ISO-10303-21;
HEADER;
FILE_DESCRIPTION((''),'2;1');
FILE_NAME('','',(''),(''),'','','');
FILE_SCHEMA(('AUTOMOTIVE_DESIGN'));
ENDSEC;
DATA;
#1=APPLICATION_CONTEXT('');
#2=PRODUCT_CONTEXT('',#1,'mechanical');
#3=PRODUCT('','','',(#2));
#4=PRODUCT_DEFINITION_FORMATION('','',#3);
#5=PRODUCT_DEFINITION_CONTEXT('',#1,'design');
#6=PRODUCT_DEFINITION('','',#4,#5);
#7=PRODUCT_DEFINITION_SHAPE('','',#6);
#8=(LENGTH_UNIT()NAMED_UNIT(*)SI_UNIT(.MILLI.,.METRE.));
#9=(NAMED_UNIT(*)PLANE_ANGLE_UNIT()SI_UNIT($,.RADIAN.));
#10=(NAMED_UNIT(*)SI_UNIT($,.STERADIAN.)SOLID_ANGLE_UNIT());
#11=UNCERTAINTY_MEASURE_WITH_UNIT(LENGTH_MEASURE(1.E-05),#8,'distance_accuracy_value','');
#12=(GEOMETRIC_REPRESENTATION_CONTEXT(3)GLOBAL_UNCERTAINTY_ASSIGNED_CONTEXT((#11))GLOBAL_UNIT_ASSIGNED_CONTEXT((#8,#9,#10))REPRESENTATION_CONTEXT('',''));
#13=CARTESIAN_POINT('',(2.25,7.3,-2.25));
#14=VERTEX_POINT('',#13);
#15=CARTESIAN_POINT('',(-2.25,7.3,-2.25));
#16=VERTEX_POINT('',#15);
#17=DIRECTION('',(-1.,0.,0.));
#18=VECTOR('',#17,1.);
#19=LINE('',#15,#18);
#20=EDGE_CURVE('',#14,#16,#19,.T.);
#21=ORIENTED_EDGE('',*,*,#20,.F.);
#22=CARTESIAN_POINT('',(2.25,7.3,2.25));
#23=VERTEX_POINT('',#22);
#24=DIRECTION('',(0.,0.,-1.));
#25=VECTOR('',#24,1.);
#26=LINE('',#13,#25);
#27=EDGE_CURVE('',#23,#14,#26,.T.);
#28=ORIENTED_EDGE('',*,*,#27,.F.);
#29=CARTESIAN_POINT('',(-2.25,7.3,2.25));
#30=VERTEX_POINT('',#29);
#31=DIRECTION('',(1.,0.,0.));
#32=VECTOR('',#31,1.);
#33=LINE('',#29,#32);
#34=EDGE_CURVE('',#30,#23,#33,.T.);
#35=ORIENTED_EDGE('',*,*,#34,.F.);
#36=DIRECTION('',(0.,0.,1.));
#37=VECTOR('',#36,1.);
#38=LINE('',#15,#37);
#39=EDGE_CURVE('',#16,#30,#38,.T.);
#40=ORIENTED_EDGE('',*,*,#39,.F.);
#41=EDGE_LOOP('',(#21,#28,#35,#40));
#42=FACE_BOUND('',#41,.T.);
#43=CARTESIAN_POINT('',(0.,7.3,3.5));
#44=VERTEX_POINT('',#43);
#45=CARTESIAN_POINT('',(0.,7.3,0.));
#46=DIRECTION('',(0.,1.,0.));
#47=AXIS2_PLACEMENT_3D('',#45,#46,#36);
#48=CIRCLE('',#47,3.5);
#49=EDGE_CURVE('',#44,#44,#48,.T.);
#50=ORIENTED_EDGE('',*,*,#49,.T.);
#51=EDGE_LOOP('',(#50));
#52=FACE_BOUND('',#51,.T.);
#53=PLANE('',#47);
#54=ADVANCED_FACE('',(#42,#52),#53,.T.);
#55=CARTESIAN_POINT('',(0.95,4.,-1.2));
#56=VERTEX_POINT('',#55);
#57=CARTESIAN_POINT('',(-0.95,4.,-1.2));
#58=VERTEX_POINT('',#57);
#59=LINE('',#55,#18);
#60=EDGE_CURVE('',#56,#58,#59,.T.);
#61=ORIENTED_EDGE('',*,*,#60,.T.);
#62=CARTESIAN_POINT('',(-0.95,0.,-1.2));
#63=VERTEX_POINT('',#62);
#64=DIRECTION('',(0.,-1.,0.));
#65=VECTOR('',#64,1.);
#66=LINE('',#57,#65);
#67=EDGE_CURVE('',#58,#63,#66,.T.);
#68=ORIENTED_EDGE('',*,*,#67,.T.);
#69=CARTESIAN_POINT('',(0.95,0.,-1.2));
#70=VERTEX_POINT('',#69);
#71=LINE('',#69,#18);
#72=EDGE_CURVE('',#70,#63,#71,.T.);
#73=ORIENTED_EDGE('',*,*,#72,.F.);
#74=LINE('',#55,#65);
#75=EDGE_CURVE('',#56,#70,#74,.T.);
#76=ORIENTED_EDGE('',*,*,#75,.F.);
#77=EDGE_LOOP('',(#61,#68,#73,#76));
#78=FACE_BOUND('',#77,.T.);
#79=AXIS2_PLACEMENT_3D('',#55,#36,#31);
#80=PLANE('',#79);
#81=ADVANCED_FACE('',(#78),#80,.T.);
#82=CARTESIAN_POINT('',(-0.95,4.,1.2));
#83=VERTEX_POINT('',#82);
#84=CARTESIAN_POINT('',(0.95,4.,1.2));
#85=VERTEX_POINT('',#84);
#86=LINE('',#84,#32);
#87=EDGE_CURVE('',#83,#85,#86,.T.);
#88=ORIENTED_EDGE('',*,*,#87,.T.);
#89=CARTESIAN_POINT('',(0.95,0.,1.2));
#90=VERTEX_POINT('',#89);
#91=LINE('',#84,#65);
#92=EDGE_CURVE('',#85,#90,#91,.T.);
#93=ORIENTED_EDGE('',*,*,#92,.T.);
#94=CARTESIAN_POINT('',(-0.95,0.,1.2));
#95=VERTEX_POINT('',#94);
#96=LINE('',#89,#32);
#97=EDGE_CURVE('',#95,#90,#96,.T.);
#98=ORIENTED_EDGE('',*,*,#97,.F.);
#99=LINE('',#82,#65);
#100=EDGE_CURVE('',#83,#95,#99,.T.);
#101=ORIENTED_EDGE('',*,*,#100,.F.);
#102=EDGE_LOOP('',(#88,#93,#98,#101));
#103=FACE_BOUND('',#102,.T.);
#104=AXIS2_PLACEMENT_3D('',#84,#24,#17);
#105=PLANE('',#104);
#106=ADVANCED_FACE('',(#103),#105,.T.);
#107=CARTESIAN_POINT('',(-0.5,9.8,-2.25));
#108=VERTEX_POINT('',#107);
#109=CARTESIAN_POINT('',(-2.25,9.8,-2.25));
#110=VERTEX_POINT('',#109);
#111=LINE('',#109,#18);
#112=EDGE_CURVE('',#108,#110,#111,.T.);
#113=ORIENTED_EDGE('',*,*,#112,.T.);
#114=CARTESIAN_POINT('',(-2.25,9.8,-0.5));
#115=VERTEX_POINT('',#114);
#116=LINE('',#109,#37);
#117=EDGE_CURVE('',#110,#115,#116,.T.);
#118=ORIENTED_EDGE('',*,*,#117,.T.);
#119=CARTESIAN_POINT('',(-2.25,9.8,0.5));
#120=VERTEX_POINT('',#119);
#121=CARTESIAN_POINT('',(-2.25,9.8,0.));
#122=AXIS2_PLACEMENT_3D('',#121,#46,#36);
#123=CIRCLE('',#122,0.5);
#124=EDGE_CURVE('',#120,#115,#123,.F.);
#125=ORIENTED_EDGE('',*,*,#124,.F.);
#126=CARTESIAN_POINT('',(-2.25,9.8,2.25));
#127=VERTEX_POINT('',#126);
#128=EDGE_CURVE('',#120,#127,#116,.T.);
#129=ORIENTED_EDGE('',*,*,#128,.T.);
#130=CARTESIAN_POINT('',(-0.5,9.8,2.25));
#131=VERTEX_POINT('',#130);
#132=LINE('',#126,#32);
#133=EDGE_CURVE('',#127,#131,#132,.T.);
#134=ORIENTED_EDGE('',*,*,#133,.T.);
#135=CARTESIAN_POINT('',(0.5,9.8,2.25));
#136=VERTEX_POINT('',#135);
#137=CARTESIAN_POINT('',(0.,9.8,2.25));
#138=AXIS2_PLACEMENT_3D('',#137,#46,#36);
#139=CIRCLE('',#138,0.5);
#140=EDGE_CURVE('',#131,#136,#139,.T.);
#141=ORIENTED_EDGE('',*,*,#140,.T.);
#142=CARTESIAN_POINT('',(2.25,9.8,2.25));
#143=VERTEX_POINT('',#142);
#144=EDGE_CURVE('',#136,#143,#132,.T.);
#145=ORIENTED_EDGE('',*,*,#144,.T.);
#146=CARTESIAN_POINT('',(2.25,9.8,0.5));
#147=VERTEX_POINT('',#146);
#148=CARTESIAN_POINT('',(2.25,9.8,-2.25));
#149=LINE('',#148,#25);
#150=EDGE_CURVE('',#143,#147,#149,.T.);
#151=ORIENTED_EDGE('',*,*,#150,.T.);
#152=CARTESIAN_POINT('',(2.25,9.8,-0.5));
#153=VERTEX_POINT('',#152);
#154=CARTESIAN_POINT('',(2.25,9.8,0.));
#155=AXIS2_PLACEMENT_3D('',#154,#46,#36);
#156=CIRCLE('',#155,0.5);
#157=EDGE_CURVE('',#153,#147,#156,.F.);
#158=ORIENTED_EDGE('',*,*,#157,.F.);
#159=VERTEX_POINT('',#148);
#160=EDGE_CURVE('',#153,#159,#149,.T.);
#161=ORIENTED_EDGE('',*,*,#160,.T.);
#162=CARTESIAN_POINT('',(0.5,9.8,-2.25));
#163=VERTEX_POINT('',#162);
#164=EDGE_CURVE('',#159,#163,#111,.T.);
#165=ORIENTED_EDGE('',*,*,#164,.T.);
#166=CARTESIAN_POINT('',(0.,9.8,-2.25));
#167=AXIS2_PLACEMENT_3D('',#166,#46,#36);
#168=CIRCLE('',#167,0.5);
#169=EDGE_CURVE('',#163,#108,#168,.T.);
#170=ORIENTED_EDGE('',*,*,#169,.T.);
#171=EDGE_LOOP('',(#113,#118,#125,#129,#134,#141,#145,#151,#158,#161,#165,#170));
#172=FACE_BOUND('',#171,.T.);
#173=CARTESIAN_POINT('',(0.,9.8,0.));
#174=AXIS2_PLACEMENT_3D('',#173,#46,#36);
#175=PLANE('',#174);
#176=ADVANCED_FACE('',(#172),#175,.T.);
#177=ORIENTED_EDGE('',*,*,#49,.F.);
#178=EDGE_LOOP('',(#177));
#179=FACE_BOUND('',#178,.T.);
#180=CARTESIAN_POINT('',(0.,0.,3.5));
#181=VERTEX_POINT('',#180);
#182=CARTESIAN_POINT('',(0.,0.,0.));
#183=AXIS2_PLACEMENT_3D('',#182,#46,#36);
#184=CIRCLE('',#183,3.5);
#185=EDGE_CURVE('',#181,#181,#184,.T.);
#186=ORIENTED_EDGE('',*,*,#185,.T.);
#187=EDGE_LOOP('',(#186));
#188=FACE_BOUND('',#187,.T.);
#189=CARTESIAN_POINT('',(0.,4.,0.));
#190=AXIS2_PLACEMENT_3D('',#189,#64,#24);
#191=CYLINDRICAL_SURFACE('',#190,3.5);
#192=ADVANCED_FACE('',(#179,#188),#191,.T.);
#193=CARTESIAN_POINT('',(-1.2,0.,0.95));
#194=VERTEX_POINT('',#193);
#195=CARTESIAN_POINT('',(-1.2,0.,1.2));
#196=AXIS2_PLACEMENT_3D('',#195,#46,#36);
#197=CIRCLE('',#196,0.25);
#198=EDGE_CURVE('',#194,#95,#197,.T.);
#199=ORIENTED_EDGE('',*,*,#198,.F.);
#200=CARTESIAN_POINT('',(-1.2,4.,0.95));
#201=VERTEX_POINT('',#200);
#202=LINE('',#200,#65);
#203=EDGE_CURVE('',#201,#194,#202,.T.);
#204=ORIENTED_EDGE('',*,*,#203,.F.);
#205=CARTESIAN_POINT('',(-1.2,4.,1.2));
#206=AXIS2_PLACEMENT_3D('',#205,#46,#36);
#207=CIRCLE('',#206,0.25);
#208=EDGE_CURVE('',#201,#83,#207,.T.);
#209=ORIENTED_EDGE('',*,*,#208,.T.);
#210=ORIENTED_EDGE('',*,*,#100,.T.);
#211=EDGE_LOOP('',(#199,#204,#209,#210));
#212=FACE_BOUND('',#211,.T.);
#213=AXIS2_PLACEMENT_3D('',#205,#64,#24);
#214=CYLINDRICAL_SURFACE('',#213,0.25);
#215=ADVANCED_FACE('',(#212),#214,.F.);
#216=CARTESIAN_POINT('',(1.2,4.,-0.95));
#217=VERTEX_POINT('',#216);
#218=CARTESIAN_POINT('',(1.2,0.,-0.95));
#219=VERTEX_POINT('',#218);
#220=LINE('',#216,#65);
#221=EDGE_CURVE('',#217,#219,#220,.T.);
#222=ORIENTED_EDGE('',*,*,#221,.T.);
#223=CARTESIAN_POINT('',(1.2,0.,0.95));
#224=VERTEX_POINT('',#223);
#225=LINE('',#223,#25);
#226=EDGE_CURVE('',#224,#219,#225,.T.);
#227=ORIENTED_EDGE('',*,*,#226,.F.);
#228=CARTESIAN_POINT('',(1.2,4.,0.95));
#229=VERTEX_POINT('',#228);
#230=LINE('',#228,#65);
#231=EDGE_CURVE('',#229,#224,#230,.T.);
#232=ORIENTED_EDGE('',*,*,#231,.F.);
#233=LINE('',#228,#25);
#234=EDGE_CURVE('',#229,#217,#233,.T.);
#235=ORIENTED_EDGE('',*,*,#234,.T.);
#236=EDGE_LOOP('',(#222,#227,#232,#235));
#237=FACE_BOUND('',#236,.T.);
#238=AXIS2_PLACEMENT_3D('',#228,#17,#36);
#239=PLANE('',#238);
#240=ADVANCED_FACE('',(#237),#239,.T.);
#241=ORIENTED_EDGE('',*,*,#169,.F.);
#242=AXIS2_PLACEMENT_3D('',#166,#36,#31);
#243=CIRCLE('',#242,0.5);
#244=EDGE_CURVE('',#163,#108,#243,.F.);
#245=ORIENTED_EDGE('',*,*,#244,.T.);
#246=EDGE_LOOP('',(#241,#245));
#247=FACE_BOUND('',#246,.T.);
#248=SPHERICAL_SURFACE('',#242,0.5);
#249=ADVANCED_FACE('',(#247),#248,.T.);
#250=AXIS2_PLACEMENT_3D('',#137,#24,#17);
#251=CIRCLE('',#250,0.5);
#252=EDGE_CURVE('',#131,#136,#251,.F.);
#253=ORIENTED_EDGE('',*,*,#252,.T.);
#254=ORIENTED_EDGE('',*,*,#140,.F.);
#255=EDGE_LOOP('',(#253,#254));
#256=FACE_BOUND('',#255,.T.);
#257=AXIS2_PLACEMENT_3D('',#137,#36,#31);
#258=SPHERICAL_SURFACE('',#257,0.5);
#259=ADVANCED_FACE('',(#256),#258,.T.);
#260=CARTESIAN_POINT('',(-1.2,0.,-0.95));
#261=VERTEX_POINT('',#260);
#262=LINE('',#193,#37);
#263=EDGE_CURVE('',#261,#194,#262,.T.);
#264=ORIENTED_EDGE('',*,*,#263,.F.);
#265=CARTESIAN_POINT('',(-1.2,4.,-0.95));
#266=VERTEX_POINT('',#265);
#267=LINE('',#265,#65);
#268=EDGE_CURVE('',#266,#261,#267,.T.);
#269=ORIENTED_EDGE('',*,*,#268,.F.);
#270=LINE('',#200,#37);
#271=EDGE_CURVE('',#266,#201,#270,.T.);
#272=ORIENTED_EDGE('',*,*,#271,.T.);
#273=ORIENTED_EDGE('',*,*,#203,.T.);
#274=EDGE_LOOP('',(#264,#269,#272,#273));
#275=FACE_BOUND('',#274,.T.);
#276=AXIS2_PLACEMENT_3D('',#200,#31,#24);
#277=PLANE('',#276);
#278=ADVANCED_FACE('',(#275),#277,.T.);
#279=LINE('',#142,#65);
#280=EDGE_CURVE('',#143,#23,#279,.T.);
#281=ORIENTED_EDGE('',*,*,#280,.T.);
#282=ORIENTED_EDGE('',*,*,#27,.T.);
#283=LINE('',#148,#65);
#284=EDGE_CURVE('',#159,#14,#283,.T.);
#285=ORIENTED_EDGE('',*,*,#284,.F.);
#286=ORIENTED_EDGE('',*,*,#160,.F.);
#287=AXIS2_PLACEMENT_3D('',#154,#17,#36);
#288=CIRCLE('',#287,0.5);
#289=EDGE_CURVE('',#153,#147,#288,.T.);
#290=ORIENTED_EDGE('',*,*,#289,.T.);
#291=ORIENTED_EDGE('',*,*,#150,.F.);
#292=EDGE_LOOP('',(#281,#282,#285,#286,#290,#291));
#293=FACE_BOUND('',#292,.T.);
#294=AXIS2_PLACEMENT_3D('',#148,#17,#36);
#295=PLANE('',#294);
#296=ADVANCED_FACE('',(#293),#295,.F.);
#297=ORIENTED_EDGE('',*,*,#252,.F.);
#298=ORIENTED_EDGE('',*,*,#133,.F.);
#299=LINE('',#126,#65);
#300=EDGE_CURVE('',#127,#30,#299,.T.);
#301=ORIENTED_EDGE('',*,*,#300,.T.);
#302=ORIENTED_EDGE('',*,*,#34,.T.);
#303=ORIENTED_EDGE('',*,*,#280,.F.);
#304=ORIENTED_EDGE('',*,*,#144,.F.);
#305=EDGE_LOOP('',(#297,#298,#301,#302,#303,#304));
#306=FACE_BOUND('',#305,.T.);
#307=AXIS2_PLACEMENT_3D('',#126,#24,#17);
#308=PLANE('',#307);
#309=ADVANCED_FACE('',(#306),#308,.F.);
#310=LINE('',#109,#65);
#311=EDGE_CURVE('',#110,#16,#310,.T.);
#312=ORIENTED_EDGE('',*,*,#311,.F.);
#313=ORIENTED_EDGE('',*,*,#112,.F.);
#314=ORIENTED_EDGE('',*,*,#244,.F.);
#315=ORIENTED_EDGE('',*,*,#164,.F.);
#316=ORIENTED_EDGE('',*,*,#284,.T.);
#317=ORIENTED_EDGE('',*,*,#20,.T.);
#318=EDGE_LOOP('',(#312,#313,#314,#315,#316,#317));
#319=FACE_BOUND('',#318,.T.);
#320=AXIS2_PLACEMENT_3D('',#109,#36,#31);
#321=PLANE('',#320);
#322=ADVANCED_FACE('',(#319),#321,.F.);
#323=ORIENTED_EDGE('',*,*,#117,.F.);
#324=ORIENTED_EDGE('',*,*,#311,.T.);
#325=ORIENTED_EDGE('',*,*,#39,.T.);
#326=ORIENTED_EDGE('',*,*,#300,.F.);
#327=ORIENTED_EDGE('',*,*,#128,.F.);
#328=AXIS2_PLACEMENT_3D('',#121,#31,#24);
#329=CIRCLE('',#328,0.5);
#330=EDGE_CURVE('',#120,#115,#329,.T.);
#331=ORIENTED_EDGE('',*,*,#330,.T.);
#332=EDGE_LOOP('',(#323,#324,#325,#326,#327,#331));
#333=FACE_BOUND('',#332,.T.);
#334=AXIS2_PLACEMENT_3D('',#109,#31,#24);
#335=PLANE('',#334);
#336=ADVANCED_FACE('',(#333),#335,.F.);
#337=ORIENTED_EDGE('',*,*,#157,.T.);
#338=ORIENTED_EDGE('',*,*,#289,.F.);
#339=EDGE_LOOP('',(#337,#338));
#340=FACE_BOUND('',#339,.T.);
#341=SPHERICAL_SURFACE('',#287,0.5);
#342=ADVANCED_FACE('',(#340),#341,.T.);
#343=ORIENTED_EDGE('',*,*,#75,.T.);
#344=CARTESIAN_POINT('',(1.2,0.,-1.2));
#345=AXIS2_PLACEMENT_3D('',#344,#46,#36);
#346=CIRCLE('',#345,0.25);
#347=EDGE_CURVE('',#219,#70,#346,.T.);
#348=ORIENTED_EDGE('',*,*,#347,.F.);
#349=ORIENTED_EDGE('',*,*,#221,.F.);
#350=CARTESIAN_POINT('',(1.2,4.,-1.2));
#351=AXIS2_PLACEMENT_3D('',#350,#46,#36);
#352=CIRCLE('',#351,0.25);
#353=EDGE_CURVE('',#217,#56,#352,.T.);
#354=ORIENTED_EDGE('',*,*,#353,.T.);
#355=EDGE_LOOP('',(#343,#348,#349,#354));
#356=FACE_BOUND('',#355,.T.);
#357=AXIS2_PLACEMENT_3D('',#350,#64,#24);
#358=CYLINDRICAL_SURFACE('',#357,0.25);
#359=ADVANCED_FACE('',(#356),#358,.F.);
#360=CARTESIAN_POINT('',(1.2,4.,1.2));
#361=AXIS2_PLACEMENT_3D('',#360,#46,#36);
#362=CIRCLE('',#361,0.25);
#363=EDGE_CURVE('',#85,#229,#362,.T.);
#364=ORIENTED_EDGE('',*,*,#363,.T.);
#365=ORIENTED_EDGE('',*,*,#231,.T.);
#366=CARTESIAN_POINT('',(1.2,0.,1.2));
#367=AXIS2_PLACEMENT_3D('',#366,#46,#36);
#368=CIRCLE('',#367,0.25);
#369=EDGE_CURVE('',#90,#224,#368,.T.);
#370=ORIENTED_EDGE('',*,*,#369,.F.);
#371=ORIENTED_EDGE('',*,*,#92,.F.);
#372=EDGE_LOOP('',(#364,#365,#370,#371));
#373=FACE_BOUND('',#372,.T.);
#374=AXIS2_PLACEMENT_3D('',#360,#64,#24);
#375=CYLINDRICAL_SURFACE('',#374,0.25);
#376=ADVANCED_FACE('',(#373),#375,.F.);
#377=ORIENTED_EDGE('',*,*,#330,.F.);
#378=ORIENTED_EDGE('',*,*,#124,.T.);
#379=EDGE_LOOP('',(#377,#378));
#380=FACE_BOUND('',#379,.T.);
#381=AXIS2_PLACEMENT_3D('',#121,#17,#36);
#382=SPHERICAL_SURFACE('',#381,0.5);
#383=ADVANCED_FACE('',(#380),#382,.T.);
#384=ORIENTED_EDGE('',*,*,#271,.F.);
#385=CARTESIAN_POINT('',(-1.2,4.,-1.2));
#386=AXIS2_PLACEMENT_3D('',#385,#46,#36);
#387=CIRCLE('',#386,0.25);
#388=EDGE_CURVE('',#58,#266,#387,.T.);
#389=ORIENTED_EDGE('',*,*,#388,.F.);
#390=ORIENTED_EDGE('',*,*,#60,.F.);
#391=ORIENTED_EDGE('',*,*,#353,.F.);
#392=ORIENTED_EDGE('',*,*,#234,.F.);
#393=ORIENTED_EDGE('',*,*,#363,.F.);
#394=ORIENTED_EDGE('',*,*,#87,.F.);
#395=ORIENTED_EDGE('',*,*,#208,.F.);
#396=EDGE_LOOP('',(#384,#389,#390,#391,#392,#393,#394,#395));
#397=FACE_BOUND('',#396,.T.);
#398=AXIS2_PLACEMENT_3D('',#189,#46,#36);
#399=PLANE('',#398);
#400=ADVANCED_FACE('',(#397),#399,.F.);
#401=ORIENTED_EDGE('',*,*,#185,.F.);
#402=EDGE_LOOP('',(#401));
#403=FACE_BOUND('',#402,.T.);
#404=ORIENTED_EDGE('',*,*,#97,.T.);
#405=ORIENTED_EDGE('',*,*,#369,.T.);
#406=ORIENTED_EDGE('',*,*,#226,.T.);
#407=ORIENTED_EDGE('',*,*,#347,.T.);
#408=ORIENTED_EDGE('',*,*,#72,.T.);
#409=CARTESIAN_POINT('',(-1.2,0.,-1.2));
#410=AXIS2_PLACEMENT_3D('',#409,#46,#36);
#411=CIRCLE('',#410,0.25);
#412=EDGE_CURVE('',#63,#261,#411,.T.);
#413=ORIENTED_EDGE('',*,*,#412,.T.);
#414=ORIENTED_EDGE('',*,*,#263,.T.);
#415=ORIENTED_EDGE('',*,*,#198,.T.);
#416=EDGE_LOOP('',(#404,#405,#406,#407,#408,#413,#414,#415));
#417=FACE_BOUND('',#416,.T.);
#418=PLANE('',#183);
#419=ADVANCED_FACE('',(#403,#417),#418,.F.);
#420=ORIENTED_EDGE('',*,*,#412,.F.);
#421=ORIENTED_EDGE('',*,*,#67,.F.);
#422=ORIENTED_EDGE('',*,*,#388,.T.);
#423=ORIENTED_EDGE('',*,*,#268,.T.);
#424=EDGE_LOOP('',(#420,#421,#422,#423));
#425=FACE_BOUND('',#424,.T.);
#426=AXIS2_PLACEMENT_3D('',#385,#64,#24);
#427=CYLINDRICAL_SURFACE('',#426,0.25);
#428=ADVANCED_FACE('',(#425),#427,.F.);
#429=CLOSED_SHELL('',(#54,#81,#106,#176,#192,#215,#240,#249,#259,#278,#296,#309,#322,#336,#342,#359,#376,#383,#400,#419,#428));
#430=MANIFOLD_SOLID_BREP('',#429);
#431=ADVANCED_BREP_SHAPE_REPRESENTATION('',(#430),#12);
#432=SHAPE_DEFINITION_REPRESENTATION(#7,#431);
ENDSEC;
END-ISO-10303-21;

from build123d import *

# Parameters (mm, degrees)
SKETCH_1_R          = 3.5
EXTRUDE_1_DEPTH     = 4
SKETCH_3_R          = 3.5
EXTRUDE_2_DEPTH     = 3.3
SKETCH_4_W          = 4.5
SKETCH_4_H          = 4.5
EXTRUDE_3_DEPTH     = 2.5
SKETCH_7_R          = 3.5
CUT_EXTRUDE_1_DEPTH = 10


with BuildPart() as part:
    # 草图1 → 凸台-拉伸1 (new body)
    with BuildSketch(Plane(origin=(0, 0, 0), x_dir=(1, 0, 0), z_dir=(0, 1, 0))):
        Circle(SKETCH_1_R)
        with BuildLine():
            Line((0.95, -1.2), (-0.95, -1.2))
            ThreePointArc((-0.95, -1.2), (-1.376776695, -1.376776695), (-1.2, -0.95))
            Line((-1.2, -0.95), (-1.2, 0.95))
            ThreePointArc((-1.2, 0.95), (-1.376776695, 1.376776695), (-0.95, 1.2))
            Line((-0.95, 1.2), (0.95, 1.2))
            ThreePointArc((0.95, 1.2), (1.376776695, 1.376776695), (1.2, 0.95))
            Line((1.2, 0.95), (1.2, -0.95))
            ThreePointArc((1.2, -0.95), (1.376776695, -1.376776695), (0.95, -1.2))
        make_face(mode=Mode.SUBTRACT)
    extrude(amount=EXTRUDE_1_DEPTH)

    # 草图3 → 凸台-拉伸2 (add)
    with BuildSketch(Plane(origin=(0, 4, 0), x_dir=(1, 0, 0), z_dir=(0, 1, 0))):
        Circle(SKETCH_3_R)
    extrude(amount=EXTRUDE_2_DEPTH)

    # 草图4 → 凸台-拉伸3 (add)
    with BuildSketch(Plane(origin=(0, 7.3, 0), x_dir=(1, 0, 0), z_dir=(0, 1, 0))):
        Rectangle(SKETCH_4_W, SKETCH_4_H)
    extrude(amount=EXTRUDE_3_DEPTH)

    # 草图5 → 旋转1 (revolve)
    with BuildSketch(Plane(origin=(0, 9.8, 0), x_dir=(1, 0, 0), z_dir=(0, 1, 0))):
        with BuildLine():
            Line((-2.75, 0), (-1.75, 0))
            ThreePointArc((-1.75, 0), (-2.25, -0.5), (-2.75, 0))
        make_face()
        with BuildLine():
            Line((1.75, 0), (2.75, 0))
            ThreePointArc((2.75, 0), (2.25, -0.5), (1.75, 0))
        make_face()
    revolve(axis=Axis((-2.75, 9.8, 0), (1, 0, 0)))

    # 草图6 → 旋转2 (revolve)
    with BuildSketch(Plane(origin=(0, 9.8, 0), x_dir=(1, 0, 0), z_dir=(0, 1, 0))):
        with BuildLine():
            Line((0, -2.75), (0, -1.75))
            ThreePointArc((0, -1.75), (-0.5, -2.25), (0, -2.75))
        make_face()
        with BuildLine():
            Line((0, 1.75), (0, 2.75))
            ThreePointArc((0, 2.75), (-0.5, 2.25), (0, 1.75))
        make_face()
    revolve(axis=Axis((0, 9.8, 2.75), (0, 0, -1)))

    # 草图7 → 切除-拉伸1 (cut)
    with BuildSketch(Plane(origin=(0, 9.8, 0), x_dir=(1, 0, 0), z_dir=(0, 1, 0))):
        Circle(SKETCH_7_R)
    extrude(amount=CUT_EXTRUDE_1_DEPTH, mode=Mode.SUBTRACT)


solid = part.part
